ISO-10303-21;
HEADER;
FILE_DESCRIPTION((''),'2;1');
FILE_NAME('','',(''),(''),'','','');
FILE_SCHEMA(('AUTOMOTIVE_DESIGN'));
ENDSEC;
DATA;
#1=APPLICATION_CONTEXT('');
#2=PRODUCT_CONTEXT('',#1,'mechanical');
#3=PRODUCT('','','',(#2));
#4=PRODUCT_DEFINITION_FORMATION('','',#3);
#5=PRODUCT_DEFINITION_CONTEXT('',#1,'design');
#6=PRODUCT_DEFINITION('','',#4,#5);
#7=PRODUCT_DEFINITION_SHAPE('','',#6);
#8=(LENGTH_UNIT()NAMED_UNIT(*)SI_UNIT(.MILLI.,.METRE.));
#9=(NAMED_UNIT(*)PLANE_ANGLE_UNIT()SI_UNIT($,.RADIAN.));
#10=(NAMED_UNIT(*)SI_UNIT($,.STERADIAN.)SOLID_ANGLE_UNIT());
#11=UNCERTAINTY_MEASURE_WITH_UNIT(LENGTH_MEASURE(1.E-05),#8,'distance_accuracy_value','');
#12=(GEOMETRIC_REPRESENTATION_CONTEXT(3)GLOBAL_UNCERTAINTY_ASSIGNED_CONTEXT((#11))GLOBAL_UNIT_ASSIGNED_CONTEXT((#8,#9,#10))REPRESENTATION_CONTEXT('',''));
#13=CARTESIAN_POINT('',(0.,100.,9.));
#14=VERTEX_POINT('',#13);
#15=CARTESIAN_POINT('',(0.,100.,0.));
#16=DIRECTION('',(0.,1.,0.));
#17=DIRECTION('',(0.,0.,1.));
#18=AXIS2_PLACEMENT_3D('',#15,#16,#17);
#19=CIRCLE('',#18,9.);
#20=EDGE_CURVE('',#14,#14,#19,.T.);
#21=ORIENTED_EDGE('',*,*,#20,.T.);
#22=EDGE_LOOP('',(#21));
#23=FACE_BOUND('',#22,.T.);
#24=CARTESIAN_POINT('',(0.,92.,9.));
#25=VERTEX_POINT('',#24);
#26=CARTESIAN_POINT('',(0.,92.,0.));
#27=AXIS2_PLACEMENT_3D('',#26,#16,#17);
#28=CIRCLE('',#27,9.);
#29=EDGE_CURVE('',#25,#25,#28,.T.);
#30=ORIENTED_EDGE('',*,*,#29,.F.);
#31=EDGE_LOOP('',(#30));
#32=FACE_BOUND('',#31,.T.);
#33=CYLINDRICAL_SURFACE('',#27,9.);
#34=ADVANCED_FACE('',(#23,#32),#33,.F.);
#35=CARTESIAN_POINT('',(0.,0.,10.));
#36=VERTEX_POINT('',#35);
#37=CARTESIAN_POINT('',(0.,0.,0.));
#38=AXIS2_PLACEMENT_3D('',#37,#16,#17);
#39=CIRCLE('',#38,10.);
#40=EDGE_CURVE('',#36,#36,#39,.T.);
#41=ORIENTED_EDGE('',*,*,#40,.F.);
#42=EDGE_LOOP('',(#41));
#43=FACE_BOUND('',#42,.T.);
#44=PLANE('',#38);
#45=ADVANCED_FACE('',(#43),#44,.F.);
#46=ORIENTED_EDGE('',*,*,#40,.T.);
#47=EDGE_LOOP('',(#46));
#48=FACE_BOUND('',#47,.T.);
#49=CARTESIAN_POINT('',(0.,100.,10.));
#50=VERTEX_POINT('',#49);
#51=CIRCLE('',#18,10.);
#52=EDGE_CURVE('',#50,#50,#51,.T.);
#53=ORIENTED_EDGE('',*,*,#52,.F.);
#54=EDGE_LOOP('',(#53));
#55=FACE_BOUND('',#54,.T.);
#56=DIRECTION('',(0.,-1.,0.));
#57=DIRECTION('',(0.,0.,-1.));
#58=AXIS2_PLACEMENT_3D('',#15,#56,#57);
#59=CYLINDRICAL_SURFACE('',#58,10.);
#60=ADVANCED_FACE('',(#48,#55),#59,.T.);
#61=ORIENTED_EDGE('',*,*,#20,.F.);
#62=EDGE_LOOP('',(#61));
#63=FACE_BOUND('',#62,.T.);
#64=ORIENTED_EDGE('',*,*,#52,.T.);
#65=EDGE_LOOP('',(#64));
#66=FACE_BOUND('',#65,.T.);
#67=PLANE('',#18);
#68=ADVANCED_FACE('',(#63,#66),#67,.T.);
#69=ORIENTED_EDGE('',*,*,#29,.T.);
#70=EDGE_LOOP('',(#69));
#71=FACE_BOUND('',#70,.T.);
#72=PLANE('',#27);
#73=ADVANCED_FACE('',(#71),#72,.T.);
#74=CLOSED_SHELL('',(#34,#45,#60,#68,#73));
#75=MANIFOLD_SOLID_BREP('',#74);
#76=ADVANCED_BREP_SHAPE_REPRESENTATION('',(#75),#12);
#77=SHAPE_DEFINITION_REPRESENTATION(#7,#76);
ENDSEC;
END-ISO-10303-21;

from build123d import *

# Parameters (mm, degrees)
SKETCH_1_R          = 10
EXTRUDE_1_DEPTH     = 100
SKETCH_2_R          = 9
CUT_EXTRUDE_1_DEPTH = 8


with BuildPart() as part:
    # 草图1 → 凸台-拉伸1 (new body)
    with BuildSketch(Plane(origin=(0, 0, 0), x_dir=(1, 0, 0), z_dir=(0, 1, 0))):
        Circle(SKETCH_1_R)
    extrude(amount=EXTRUDE_1_DEPTH)

    # 草图2 → 切除-拉伸1 (cut)
    with BuildSketch(Plane(origin=(0, 100, 0), x_dir=(1, 0, 0), z_dir=(0, 1, 0))):
        Circle(SKETCH_2_R)
    extrude(amount=-CUT_EXTRUDE_1_DEPTH, mode=Mode.SUBTRACT)


solid = part.part
